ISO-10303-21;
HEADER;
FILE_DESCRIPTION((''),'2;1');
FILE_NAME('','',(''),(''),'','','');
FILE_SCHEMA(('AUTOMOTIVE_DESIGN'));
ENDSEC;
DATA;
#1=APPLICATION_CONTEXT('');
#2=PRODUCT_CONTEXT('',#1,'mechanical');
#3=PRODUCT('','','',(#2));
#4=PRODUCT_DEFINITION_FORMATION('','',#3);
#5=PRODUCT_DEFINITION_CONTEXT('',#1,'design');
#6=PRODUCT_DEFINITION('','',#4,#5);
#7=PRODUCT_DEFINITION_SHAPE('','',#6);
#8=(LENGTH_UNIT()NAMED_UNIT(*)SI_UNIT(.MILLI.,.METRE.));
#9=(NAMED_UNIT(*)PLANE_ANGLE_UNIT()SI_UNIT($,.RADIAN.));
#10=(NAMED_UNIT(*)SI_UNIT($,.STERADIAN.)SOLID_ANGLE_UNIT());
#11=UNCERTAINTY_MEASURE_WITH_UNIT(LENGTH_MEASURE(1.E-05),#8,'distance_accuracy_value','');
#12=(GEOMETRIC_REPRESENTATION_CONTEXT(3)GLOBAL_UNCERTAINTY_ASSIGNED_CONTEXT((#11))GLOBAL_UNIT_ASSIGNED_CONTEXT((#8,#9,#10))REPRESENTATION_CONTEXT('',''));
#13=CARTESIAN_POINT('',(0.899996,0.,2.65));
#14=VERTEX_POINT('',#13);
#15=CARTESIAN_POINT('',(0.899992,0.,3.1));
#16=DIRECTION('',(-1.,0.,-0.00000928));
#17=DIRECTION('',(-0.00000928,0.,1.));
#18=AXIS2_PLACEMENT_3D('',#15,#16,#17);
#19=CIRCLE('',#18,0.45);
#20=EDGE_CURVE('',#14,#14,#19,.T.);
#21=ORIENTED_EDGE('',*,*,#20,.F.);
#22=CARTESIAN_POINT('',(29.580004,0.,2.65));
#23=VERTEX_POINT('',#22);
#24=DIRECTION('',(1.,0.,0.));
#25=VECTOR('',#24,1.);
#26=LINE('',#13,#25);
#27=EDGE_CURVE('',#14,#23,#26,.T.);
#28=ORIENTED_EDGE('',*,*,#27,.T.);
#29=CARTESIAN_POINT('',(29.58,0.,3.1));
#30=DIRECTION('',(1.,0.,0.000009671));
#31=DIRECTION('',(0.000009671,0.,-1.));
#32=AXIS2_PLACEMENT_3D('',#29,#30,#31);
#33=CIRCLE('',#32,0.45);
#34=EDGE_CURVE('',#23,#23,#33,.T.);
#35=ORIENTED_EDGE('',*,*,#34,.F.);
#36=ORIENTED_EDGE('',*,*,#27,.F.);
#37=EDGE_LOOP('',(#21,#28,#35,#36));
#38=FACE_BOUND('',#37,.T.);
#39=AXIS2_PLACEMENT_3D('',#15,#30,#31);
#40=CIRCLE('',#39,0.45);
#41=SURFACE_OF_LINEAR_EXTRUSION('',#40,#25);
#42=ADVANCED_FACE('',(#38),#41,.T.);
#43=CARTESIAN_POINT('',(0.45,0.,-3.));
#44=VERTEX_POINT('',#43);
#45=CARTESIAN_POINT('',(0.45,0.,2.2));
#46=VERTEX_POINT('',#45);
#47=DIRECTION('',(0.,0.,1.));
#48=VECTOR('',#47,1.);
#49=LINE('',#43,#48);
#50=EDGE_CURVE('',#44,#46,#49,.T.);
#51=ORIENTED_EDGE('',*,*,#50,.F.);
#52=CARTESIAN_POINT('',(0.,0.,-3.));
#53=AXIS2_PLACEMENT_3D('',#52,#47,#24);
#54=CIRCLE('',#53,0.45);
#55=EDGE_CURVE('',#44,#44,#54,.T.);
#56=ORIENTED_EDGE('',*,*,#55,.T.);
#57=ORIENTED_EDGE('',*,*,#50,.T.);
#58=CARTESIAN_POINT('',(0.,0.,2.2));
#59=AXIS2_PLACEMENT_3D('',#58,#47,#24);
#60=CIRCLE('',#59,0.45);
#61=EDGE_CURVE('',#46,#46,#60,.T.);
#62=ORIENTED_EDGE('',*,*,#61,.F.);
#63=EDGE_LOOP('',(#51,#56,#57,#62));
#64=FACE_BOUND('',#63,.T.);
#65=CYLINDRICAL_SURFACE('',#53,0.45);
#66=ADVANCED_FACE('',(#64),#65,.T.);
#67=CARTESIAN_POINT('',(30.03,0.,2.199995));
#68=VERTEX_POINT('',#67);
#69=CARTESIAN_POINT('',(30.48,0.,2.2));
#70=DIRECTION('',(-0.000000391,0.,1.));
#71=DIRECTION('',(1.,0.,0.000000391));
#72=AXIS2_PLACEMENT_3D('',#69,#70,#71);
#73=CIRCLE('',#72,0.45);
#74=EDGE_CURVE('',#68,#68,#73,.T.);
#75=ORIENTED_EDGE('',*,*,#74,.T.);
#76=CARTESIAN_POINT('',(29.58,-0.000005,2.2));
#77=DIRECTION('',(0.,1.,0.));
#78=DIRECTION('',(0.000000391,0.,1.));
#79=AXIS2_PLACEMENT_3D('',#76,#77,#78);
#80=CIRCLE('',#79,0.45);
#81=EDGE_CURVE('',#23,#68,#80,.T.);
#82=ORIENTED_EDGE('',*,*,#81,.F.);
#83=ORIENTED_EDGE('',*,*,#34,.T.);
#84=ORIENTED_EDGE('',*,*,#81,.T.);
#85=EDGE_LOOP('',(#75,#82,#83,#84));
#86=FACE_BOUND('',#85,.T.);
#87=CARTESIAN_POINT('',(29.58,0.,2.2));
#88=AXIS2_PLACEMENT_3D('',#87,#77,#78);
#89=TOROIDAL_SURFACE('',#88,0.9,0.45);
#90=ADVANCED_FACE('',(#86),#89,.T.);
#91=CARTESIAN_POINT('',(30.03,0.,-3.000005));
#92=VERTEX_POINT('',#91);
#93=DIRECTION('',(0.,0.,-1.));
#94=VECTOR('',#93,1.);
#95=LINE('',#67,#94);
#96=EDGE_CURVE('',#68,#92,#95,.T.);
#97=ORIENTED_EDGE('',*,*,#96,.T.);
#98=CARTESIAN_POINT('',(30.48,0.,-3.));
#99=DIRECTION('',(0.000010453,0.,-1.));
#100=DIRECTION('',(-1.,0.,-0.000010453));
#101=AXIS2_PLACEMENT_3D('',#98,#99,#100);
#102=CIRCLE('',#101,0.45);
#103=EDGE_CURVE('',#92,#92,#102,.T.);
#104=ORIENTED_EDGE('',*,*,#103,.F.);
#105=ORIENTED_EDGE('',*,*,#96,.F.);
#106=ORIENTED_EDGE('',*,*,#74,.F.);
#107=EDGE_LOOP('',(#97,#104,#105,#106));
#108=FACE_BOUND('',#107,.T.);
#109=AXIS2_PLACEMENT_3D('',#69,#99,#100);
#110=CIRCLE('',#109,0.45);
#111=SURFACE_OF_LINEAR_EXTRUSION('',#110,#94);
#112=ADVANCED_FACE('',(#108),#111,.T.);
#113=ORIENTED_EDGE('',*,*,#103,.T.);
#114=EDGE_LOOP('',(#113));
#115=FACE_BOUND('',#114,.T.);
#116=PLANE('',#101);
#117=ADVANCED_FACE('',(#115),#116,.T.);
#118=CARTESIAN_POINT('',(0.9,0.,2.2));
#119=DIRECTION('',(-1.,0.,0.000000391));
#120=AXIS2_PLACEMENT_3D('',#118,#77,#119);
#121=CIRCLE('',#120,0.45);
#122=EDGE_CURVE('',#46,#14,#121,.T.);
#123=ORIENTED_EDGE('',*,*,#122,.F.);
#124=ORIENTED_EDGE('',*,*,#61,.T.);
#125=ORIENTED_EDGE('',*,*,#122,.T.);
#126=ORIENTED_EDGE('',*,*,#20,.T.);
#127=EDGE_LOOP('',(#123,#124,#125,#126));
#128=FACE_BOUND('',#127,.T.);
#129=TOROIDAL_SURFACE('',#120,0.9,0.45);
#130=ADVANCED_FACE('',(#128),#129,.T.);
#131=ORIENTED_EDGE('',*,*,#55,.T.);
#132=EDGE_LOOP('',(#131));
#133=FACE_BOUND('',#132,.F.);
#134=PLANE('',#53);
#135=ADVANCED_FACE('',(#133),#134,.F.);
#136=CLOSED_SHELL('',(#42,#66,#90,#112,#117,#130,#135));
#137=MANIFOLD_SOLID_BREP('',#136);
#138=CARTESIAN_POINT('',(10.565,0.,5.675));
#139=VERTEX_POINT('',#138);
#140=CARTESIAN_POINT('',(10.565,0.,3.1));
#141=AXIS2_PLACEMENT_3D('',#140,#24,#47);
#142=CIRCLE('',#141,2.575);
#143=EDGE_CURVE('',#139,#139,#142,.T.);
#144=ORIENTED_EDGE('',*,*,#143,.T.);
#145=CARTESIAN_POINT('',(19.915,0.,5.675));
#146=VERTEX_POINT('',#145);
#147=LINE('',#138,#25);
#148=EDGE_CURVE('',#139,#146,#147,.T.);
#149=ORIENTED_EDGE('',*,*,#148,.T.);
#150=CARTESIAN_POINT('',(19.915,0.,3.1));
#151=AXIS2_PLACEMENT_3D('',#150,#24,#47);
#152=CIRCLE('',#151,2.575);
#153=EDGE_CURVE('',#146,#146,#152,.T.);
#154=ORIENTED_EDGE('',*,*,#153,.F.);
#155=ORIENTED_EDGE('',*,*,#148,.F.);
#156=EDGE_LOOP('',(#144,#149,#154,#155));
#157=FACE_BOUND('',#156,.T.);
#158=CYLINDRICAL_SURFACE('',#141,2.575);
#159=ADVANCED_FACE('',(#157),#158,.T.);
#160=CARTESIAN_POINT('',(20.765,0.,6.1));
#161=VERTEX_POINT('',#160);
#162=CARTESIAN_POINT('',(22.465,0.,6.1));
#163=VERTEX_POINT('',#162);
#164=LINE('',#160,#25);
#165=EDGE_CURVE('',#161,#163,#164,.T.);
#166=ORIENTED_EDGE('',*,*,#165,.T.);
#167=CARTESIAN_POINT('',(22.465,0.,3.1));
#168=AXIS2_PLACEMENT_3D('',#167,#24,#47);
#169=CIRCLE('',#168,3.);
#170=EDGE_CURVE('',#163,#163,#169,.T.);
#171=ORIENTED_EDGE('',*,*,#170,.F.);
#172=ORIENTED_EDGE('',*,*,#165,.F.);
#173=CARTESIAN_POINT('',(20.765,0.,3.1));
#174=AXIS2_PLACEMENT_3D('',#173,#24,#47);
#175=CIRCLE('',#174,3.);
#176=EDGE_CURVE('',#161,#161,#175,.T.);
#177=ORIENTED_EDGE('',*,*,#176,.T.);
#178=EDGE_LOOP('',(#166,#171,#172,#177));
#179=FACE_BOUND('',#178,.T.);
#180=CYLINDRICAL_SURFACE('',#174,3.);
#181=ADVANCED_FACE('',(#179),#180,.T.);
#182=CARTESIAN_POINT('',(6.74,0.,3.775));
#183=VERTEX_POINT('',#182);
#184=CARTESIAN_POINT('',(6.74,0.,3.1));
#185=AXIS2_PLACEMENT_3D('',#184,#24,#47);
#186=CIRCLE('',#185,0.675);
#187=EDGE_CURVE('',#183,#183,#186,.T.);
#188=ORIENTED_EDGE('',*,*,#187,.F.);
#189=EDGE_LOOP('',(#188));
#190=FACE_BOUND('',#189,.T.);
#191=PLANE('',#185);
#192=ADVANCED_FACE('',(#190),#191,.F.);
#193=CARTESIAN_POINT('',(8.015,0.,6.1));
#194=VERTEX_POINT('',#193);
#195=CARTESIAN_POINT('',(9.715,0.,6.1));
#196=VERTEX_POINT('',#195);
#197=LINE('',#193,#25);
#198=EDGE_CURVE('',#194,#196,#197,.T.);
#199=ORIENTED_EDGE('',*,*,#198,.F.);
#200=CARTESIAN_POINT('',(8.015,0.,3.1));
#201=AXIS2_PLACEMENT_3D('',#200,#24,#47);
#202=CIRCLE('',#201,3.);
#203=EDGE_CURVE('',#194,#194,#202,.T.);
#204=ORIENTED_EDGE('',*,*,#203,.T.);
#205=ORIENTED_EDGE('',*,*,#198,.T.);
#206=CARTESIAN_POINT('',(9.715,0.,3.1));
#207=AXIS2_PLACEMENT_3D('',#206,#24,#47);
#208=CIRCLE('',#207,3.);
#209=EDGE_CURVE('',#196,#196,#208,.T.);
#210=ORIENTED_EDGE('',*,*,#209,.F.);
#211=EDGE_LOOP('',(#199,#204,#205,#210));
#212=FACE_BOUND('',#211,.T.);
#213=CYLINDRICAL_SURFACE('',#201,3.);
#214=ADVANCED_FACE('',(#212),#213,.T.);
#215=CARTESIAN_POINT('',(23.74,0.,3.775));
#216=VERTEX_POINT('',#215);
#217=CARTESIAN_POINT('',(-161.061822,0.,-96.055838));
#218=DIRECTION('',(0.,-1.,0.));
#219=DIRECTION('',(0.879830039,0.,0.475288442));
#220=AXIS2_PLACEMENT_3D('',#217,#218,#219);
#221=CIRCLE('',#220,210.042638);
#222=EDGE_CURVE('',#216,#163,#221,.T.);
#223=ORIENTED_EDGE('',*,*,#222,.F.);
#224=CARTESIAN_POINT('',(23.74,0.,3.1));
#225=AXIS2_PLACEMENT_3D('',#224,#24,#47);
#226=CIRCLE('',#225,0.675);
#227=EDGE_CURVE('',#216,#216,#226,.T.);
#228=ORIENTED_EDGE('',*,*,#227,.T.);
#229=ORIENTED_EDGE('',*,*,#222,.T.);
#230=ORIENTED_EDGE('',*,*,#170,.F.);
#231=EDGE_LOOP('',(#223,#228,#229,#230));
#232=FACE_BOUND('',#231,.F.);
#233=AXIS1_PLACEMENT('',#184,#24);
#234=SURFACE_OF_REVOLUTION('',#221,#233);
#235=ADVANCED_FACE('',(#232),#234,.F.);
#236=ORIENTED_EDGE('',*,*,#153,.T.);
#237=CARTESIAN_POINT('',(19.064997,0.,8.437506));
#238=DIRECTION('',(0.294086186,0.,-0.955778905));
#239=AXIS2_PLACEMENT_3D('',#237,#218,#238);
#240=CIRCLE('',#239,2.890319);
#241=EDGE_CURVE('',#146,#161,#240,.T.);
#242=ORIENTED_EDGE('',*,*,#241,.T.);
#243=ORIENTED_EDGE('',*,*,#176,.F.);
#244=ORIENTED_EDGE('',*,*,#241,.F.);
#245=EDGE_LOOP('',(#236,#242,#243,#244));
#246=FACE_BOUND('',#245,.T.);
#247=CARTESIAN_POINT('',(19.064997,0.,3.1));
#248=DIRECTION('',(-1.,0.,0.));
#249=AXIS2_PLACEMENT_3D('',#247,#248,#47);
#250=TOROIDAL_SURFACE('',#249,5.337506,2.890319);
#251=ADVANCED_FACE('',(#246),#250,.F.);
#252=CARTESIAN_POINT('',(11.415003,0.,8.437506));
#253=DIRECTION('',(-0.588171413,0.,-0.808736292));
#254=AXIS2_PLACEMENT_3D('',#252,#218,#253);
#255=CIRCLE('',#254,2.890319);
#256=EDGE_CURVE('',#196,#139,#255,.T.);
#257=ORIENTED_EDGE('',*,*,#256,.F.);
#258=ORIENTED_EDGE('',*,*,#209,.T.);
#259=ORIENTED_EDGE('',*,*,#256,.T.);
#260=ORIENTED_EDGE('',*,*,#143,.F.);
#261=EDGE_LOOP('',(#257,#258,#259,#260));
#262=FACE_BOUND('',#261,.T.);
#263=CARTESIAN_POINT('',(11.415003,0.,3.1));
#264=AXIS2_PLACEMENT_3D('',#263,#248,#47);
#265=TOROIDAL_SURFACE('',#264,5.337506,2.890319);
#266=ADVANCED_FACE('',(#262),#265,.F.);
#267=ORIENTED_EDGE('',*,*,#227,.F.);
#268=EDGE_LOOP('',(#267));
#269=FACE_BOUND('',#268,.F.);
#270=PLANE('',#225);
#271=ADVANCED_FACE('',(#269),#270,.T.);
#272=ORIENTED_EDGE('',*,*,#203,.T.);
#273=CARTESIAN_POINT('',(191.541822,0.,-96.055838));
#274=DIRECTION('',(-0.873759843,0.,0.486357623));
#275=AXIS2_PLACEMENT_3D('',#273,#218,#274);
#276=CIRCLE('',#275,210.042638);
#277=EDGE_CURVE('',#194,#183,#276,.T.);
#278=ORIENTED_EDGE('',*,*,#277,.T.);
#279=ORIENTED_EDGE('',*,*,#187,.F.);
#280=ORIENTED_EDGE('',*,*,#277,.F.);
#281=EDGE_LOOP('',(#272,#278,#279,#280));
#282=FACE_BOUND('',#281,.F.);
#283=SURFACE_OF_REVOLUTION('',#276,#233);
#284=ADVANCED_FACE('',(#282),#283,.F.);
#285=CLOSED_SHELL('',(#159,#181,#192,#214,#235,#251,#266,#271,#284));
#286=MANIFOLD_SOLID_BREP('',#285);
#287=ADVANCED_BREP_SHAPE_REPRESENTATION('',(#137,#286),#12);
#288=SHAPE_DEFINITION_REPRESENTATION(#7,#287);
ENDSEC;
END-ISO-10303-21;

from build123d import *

# Parameters (mm, degrees)
SKETCH_R = 0.45


with BuildPart() as revolution:
    # Sketch002 → Revolution (revolve)
    with BuildSketch(Plane.XZ):
        with BuildLine():
            Line((8.015, 6.1), (9.715, 6.1))
            ThreePointArc((9.715, 6.1), (10.122413, 5.852326), (10.565, 5.675))
            Line((10.565, 5.675), (19.915, 5.675))
            ThreePointArc((19.915, 5.675), (20.357587, 5.852326), (20.765, 6.1))
            Line((20.765, 6.1), (22.465, 6.1))
            ThreePointArc((23.74, 3.775), (23.106169, 4.939512), (22.465, 6.1))
            Line((23.74, 3.1), (23.74, 3.775))
            Line((6.74, 3.1), (23.74, 3.1))
            Line((6.74, 3.1), (6.74, 3.775))
            ThreePointArc((8.015, 6.1), (7.373831, 4.939512), (6.74, 3.775))
        make_face()
    revolve(axis=Axis((6.74, 0, 3.1), (1, 0, 0)))


with BuildPart() as sweep_body:
    # Sweep: sweep along a path in Sketch001
    with BuildLine(Plane.XZ) as sweep_path:
        Line((0, -3), (0, 2.2))
        ThreePointArc((0, 2.2), (0.263601, 2.836393), (0.899992, 3.1))
        Line((0.899992, 3.1), (29.58, 3.1))
        ThreePointArc((29.58, 3.1), (30.216396, 2.836396), (30.48, 2.2))
        Line((30.48, 2.2), (30.48, -3))
    # Sketch → Sweep (sweep)
    with BuildSketch(Plane.XY.offset(-2)):
        Circle(SKETCH_R)
    sweep(path=sweep_path.line)


solid = Compound([revolution.part, sweep_body.part])
